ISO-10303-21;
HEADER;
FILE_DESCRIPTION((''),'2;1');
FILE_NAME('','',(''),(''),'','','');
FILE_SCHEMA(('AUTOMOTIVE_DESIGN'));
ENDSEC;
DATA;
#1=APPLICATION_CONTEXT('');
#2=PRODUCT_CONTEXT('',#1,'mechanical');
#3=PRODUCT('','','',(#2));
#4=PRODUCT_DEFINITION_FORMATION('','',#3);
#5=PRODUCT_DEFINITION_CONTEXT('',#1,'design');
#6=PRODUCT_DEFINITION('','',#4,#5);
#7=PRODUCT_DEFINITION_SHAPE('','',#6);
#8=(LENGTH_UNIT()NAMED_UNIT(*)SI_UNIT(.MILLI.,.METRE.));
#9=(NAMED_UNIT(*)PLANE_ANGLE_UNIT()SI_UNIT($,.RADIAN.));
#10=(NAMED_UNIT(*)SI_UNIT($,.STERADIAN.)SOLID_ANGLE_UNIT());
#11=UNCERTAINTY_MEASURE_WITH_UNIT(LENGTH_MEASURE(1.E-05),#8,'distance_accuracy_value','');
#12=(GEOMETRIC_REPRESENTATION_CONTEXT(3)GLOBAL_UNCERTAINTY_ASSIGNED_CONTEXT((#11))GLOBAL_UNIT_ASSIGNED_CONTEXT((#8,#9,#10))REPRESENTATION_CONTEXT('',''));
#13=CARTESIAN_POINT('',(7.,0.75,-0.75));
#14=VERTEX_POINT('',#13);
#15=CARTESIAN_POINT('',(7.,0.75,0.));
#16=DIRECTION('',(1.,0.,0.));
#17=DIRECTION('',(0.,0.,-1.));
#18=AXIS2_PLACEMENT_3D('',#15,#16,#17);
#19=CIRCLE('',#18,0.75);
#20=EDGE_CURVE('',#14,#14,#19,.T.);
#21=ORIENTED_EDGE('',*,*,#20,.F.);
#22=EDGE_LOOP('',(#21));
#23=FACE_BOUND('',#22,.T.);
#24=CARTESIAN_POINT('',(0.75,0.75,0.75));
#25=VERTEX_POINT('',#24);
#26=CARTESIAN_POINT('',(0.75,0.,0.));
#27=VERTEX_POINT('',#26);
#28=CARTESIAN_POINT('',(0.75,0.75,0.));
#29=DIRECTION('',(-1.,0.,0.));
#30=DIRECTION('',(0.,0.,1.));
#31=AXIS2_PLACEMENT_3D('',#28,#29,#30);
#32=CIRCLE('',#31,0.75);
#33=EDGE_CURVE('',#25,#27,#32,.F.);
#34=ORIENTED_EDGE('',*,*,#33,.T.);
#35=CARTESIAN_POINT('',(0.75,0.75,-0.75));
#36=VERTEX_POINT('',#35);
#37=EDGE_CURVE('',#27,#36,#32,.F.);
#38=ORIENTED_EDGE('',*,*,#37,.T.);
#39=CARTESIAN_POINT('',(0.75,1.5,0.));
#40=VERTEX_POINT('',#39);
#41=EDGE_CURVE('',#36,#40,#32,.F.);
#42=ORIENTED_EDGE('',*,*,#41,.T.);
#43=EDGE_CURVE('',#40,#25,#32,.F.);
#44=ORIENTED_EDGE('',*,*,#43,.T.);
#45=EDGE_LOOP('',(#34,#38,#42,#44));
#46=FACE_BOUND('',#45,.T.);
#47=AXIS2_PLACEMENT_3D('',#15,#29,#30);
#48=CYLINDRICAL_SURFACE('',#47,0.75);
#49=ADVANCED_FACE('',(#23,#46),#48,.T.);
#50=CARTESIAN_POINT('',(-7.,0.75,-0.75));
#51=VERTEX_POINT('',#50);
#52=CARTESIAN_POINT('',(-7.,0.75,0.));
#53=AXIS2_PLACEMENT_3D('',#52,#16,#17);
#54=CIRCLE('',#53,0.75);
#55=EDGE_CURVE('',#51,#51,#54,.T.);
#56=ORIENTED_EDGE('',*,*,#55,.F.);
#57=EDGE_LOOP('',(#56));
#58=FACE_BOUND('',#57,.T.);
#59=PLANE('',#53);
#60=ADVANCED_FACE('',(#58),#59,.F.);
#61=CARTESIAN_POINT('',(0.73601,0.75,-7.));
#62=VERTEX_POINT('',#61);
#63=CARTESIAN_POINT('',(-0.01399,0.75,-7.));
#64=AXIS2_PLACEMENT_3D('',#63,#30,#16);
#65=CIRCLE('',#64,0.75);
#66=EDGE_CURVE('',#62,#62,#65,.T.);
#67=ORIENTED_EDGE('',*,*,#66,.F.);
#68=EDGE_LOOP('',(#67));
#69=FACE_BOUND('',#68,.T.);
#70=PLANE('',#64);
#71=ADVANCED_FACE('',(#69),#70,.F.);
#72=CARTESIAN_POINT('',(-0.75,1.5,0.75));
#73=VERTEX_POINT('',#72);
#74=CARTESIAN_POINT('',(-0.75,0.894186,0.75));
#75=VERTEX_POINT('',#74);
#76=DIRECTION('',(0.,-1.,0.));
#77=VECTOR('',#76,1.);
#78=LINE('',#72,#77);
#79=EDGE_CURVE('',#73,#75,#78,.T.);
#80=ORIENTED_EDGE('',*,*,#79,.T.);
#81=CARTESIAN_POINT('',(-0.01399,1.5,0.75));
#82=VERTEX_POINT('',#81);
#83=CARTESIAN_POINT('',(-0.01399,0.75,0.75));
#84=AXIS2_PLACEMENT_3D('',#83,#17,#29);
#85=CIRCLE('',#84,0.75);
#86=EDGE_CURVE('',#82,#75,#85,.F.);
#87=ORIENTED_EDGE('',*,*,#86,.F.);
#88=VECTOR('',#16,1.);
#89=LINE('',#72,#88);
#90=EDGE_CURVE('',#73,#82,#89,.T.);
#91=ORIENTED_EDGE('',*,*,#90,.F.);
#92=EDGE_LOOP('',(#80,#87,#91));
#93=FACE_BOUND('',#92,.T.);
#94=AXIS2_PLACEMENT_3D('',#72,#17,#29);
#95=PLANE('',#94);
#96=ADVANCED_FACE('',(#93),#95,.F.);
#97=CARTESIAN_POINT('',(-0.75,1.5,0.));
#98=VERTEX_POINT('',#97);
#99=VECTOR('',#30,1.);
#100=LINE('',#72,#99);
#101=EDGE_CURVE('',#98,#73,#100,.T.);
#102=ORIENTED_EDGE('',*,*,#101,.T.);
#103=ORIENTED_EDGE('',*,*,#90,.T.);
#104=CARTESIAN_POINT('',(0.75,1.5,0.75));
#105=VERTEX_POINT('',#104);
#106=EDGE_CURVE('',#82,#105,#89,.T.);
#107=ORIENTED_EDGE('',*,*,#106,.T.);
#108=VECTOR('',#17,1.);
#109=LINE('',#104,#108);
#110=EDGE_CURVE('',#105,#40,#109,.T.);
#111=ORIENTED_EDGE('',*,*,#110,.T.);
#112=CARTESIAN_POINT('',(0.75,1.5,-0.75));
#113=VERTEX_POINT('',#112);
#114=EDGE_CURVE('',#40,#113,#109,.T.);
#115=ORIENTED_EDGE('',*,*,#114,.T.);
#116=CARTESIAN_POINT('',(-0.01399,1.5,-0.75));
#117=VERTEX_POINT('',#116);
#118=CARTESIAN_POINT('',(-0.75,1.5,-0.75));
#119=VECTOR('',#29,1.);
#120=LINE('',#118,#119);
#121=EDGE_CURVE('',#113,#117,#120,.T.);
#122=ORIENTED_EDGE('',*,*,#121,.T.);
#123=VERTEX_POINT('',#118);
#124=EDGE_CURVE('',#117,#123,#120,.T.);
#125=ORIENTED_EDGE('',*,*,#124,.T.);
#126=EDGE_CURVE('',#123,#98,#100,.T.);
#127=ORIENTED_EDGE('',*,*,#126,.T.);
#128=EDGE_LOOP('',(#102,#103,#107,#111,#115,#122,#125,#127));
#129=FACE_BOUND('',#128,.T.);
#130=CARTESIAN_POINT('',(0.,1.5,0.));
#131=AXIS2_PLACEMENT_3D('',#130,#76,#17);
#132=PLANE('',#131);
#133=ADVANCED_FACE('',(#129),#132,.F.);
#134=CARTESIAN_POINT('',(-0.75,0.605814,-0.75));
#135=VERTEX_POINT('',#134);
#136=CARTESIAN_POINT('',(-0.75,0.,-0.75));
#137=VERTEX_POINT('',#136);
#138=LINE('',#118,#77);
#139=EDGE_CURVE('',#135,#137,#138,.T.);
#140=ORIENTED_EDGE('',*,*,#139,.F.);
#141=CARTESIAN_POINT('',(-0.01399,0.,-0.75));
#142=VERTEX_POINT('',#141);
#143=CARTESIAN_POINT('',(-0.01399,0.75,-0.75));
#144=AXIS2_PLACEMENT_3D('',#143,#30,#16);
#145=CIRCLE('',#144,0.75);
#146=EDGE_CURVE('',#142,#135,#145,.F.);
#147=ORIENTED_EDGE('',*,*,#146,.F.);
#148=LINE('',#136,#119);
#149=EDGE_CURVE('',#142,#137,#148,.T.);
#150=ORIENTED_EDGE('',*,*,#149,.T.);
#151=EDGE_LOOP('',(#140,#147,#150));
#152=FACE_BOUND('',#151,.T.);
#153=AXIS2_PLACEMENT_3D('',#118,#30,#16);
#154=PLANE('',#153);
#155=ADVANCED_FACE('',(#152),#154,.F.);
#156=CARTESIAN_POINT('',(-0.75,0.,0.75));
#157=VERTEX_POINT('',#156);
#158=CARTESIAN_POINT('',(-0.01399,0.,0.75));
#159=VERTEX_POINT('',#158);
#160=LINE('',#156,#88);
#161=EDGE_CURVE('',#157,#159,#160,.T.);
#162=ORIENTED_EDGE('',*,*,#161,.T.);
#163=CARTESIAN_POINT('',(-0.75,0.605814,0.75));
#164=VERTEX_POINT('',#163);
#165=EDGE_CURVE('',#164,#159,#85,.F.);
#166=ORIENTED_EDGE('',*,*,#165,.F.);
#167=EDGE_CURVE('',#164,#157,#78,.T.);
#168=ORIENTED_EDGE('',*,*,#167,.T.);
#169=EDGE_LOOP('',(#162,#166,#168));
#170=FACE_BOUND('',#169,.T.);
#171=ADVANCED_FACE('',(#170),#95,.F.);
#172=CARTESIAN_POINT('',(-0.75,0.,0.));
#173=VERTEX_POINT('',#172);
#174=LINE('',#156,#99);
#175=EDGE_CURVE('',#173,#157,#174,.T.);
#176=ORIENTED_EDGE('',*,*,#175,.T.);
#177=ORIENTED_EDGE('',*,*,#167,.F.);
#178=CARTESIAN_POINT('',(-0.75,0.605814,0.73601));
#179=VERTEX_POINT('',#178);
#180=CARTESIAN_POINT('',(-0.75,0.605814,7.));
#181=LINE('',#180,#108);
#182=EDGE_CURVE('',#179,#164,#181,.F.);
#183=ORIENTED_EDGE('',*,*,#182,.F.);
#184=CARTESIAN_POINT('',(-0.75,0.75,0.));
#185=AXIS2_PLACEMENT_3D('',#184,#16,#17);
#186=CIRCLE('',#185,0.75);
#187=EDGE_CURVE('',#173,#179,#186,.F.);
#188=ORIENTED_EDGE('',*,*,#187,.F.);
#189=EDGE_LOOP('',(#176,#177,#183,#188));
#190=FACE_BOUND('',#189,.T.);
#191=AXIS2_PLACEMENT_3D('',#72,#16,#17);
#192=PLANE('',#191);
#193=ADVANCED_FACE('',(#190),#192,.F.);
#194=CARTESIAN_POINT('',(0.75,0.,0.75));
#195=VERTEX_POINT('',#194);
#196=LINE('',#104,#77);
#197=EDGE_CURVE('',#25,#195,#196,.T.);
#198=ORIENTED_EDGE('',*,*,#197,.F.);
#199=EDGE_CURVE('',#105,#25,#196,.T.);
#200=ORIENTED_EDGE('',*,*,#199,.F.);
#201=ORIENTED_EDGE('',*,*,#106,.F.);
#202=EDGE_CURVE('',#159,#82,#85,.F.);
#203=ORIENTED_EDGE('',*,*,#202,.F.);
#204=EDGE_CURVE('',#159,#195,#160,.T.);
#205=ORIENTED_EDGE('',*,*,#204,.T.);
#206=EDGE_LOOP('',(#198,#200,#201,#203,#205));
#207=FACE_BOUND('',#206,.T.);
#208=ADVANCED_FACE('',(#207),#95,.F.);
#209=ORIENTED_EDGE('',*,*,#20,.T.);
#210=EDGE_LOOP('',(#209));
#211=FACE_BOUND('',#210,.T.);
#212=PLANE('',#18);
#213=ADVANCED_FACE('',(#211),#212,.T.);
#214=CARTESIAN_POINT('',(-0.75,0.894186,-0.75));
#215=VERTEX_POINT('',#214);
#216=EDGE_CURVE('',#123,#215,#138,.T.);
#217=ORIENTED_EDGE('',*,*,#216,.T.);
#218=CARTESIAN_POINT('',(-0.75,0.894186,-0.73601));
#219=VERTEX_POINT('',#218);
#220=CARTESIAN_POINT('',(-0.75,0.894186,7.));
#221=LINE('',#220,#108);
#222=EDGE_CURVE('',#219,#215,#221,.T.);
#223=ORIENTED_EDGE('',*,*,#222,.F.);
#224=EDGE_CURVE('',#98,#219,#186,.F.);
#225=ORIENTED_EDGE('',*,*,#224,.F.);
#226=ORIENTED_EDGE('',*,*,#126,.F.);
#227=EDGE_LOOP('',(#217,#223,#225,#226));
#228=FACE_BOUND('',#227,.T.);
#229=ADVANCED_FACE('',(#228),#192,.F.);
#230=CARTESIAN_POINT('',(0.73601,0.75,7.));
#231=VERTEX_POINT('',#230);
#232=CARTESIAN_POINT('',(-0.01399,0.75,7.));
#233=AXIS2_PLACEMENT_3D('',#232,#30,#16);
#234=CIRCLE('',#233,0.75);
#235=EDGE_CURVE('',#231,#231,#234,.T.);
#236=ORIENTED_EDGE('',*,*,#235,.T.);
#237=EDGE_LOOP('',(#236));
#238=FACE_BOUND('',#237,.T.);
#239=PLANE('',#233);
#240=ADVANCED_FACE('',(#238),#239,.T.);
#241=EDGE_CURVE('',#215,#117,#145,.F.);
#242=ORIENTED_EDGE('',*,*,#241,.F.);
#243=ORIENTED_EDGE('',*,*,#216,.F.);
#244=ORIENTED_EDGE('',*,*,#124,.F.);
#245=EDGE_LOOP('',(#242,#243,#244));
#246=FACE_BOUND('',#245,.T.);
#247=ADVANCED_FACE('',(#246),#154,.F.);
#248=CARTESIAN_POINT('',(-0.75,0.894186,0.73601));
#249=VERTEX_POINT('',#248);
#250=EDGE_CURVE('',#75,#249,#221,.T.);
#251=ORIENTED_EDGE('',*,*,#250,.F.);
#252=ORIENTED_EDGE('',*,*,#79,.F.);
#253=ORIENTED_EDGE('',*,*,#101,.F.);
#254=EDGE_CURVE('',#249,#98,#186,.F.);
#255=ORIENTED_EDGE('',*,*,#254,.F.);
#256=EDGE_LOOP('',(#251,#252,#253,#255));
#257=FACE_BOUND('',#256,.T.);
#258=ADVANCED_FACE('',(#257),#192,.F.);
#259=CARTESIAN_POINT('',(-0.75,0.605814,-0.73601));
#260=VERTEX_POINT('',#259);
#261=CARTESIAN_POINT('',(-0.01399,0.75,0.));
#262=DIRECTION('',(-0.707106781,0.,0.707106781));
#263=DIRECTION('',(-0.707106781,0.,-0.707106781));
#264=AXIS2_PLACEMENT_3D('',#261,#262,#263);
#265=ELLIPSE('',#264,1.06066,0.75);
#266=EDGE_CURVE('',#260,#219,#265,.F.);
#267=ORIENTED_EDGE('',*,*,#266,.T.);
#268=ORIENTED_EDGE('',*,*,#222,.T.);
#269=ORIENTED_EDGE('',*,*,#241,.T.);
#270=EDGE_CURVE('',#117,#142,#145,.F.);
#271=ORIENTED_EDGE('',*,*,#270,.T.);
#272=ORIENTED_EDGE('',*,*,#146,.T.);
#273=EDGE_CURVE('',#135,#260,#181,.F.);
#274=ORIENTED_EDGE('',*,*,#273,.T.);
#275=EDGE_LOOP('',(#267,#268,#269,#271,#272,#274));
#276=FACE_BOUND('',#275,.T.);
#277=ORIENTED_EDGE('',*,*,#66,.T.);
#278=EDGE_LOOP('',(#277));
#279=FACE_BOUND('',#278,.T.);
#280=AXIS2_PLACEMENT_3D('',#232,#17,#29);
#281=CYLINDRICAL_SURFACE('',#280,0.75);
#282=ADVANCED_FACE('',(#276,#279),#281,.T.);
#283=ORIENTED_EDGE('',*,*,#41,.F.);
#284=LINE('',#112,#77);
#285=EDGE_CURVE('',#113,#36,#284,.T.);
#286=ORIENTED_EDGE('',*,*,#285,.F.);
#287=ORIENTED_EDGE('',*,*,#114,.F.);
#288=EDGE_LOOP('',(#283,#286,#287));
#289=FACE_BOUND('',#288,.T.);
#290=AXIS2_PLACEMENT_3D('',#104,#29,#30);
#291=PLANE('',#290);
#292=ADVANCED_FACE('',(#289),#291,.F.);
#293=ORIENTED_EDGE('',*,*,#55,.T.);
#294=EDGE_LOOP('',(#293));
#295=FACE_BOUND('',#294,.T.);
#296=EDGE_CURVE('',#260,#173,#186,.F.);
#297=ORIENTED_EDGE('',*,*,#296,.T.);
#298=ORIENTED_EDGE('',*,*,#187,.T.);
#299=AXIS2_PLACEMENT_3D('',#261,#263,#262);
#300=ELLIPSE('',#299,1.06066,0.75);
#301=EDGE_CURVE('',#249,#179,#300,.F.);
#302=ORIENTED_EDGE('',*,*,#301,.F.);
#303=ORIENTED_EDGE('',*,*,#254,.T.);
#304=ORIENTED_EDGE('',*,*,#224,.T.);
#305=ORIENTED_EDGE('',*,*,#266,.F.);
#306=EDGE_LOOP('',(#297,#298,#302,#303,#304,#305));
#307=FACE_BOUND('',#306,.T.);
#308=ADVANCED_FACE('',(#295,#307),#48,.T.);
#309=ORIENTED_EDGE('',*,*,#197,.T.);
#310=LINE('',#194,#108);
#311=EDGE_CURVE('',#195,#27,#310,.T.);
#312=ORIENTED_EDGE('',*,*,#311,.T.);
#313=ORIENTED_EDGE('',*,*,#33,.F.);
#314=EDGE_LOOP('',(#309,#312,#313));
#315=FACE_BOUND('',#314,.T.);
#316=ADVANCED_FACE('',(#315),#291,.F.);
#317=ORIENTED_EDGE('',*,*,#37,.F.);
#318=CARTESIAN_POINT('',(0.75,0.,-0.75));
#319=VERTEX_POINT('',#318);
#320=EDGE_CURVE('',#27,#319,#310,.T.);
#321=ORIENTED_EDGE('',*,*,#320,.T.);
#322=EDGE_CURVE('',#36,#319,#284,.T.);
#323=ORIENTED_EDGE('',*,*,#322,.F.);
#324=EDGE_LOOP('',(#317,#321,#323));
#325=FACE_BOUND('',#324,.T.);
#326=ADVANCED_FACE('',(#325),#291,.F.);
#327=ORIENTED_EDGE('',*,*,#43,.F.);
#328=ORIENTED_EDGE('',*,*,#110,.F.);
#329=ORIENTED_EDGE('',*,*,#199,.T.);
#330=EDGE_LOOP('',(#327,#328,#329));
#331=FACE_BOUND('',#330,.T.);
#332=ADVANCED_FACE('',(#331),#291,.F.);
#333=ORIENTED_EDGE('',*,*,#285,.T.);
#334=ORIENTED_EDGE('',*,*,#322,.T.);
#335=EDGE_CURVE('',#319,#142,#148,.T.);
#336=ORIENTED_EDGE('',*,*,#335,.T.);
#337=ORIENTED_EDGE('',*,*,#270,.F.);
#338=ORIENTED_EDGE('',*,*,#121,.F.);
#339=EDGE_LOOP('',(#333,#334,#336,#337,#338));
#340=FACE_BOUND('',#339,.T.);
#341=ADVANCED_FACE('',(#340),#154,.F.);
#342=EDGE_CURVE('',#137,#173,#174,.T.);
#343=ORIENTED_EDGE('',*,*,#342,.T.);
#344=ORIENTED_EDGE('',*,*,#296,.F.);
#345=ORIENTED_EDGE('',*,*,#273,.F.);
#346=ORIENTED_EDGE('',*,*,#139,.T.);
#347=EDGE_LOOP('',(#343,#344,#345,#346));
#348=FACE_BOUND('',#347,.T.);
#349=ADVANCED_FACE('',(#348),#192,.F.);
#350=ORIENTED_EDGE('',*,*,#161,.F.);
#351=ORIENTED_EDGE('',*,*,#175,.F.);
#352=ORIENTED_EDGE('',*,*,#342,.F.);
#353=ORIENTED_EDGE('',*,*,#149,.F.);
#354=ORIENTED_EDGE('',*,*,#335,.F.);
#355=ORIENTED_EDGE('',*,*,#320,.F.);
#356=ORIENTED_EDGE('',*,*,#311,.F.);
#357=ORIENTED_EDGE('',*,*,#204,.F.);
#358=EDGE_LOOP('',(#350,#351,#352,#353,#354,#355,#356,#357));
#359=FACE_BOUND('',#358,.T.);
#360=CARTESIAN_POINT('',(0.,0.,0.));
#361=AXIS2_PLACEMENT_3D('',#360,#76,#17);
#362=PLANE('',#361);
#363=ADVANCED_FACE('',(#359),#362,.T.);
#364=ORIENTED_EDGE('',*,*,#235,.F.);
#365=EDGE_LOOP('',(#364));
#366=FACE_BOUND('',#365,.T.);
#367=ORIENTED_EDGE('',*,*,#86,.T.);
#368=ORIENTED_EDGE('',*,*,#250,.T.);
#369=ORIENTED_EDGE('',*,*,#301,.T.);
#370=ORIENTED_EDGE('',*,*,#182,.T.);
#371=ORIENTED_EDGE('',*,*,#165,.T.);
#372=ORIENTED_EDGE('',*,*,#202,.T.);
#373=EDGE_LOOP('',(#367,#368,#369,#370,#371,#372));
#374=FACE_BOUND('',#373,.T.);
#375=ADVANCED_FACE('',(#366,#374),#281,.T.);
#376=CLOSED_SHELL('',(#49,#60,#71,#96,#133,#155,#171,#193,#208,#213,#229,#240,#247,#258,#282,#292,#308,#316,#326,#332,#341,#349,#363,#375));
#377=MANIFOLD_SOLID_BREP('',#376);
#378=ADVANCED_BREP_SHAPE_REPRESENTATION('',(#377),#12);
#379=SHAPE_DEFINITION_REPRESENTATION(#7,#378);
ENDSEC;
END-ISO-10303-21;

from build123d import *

# Parameters (mm, degrees)
SKETCH1_W           = 1.5
SKETCH1_H           = 1.5
BOSS_EXTRUDE1_DEPTH = 1.5
SKETCH3_R           = 0.75
BOSS_EXTRUDE2_DEPTH = 7
SKETCH4_R           = 0.75
BOSS_EXTRUDE3_DEPTH = 7


with BuildPart() as part:
    # Sketch1 → Boss-Extrude1 (new body)
    with BuildSketch(Plane(origin=(0, 0, 0), x_dir=(1, 0, 0), z_dir=(0, 1, 0))):
        Rectangle(SKETCH1_W, SKETCH1_H)
    extrude(amount=BOSS_EXTRUDE1_DEPTH)

    # Sketch3 → Boss-Extrude2 (add, symmetric)
    with BuildSketch(Plane(origin=(0, 0, 0), x_dir=(0, 0, -1), z_dir=(1, 0, 0))):
        with Locations((0, 0.75)):
            Circle(SKETCH3_R)
    extrude(amount=BOSS_EXTRUDE2_DEPTH, both=True)

    # Sketch4 → Boss-Extrude3 (add, symmetric)
    with BuildSketch(Plane.XY):
        with Locations(Location((-0.013990229, 0.75, 0), (0, 0, 191.084007893))):
            Circle(SKETCH4_R)
    extrude(amount=BOSS_EXTRUDE3_DEPTH, both=True)


solid = part.part
